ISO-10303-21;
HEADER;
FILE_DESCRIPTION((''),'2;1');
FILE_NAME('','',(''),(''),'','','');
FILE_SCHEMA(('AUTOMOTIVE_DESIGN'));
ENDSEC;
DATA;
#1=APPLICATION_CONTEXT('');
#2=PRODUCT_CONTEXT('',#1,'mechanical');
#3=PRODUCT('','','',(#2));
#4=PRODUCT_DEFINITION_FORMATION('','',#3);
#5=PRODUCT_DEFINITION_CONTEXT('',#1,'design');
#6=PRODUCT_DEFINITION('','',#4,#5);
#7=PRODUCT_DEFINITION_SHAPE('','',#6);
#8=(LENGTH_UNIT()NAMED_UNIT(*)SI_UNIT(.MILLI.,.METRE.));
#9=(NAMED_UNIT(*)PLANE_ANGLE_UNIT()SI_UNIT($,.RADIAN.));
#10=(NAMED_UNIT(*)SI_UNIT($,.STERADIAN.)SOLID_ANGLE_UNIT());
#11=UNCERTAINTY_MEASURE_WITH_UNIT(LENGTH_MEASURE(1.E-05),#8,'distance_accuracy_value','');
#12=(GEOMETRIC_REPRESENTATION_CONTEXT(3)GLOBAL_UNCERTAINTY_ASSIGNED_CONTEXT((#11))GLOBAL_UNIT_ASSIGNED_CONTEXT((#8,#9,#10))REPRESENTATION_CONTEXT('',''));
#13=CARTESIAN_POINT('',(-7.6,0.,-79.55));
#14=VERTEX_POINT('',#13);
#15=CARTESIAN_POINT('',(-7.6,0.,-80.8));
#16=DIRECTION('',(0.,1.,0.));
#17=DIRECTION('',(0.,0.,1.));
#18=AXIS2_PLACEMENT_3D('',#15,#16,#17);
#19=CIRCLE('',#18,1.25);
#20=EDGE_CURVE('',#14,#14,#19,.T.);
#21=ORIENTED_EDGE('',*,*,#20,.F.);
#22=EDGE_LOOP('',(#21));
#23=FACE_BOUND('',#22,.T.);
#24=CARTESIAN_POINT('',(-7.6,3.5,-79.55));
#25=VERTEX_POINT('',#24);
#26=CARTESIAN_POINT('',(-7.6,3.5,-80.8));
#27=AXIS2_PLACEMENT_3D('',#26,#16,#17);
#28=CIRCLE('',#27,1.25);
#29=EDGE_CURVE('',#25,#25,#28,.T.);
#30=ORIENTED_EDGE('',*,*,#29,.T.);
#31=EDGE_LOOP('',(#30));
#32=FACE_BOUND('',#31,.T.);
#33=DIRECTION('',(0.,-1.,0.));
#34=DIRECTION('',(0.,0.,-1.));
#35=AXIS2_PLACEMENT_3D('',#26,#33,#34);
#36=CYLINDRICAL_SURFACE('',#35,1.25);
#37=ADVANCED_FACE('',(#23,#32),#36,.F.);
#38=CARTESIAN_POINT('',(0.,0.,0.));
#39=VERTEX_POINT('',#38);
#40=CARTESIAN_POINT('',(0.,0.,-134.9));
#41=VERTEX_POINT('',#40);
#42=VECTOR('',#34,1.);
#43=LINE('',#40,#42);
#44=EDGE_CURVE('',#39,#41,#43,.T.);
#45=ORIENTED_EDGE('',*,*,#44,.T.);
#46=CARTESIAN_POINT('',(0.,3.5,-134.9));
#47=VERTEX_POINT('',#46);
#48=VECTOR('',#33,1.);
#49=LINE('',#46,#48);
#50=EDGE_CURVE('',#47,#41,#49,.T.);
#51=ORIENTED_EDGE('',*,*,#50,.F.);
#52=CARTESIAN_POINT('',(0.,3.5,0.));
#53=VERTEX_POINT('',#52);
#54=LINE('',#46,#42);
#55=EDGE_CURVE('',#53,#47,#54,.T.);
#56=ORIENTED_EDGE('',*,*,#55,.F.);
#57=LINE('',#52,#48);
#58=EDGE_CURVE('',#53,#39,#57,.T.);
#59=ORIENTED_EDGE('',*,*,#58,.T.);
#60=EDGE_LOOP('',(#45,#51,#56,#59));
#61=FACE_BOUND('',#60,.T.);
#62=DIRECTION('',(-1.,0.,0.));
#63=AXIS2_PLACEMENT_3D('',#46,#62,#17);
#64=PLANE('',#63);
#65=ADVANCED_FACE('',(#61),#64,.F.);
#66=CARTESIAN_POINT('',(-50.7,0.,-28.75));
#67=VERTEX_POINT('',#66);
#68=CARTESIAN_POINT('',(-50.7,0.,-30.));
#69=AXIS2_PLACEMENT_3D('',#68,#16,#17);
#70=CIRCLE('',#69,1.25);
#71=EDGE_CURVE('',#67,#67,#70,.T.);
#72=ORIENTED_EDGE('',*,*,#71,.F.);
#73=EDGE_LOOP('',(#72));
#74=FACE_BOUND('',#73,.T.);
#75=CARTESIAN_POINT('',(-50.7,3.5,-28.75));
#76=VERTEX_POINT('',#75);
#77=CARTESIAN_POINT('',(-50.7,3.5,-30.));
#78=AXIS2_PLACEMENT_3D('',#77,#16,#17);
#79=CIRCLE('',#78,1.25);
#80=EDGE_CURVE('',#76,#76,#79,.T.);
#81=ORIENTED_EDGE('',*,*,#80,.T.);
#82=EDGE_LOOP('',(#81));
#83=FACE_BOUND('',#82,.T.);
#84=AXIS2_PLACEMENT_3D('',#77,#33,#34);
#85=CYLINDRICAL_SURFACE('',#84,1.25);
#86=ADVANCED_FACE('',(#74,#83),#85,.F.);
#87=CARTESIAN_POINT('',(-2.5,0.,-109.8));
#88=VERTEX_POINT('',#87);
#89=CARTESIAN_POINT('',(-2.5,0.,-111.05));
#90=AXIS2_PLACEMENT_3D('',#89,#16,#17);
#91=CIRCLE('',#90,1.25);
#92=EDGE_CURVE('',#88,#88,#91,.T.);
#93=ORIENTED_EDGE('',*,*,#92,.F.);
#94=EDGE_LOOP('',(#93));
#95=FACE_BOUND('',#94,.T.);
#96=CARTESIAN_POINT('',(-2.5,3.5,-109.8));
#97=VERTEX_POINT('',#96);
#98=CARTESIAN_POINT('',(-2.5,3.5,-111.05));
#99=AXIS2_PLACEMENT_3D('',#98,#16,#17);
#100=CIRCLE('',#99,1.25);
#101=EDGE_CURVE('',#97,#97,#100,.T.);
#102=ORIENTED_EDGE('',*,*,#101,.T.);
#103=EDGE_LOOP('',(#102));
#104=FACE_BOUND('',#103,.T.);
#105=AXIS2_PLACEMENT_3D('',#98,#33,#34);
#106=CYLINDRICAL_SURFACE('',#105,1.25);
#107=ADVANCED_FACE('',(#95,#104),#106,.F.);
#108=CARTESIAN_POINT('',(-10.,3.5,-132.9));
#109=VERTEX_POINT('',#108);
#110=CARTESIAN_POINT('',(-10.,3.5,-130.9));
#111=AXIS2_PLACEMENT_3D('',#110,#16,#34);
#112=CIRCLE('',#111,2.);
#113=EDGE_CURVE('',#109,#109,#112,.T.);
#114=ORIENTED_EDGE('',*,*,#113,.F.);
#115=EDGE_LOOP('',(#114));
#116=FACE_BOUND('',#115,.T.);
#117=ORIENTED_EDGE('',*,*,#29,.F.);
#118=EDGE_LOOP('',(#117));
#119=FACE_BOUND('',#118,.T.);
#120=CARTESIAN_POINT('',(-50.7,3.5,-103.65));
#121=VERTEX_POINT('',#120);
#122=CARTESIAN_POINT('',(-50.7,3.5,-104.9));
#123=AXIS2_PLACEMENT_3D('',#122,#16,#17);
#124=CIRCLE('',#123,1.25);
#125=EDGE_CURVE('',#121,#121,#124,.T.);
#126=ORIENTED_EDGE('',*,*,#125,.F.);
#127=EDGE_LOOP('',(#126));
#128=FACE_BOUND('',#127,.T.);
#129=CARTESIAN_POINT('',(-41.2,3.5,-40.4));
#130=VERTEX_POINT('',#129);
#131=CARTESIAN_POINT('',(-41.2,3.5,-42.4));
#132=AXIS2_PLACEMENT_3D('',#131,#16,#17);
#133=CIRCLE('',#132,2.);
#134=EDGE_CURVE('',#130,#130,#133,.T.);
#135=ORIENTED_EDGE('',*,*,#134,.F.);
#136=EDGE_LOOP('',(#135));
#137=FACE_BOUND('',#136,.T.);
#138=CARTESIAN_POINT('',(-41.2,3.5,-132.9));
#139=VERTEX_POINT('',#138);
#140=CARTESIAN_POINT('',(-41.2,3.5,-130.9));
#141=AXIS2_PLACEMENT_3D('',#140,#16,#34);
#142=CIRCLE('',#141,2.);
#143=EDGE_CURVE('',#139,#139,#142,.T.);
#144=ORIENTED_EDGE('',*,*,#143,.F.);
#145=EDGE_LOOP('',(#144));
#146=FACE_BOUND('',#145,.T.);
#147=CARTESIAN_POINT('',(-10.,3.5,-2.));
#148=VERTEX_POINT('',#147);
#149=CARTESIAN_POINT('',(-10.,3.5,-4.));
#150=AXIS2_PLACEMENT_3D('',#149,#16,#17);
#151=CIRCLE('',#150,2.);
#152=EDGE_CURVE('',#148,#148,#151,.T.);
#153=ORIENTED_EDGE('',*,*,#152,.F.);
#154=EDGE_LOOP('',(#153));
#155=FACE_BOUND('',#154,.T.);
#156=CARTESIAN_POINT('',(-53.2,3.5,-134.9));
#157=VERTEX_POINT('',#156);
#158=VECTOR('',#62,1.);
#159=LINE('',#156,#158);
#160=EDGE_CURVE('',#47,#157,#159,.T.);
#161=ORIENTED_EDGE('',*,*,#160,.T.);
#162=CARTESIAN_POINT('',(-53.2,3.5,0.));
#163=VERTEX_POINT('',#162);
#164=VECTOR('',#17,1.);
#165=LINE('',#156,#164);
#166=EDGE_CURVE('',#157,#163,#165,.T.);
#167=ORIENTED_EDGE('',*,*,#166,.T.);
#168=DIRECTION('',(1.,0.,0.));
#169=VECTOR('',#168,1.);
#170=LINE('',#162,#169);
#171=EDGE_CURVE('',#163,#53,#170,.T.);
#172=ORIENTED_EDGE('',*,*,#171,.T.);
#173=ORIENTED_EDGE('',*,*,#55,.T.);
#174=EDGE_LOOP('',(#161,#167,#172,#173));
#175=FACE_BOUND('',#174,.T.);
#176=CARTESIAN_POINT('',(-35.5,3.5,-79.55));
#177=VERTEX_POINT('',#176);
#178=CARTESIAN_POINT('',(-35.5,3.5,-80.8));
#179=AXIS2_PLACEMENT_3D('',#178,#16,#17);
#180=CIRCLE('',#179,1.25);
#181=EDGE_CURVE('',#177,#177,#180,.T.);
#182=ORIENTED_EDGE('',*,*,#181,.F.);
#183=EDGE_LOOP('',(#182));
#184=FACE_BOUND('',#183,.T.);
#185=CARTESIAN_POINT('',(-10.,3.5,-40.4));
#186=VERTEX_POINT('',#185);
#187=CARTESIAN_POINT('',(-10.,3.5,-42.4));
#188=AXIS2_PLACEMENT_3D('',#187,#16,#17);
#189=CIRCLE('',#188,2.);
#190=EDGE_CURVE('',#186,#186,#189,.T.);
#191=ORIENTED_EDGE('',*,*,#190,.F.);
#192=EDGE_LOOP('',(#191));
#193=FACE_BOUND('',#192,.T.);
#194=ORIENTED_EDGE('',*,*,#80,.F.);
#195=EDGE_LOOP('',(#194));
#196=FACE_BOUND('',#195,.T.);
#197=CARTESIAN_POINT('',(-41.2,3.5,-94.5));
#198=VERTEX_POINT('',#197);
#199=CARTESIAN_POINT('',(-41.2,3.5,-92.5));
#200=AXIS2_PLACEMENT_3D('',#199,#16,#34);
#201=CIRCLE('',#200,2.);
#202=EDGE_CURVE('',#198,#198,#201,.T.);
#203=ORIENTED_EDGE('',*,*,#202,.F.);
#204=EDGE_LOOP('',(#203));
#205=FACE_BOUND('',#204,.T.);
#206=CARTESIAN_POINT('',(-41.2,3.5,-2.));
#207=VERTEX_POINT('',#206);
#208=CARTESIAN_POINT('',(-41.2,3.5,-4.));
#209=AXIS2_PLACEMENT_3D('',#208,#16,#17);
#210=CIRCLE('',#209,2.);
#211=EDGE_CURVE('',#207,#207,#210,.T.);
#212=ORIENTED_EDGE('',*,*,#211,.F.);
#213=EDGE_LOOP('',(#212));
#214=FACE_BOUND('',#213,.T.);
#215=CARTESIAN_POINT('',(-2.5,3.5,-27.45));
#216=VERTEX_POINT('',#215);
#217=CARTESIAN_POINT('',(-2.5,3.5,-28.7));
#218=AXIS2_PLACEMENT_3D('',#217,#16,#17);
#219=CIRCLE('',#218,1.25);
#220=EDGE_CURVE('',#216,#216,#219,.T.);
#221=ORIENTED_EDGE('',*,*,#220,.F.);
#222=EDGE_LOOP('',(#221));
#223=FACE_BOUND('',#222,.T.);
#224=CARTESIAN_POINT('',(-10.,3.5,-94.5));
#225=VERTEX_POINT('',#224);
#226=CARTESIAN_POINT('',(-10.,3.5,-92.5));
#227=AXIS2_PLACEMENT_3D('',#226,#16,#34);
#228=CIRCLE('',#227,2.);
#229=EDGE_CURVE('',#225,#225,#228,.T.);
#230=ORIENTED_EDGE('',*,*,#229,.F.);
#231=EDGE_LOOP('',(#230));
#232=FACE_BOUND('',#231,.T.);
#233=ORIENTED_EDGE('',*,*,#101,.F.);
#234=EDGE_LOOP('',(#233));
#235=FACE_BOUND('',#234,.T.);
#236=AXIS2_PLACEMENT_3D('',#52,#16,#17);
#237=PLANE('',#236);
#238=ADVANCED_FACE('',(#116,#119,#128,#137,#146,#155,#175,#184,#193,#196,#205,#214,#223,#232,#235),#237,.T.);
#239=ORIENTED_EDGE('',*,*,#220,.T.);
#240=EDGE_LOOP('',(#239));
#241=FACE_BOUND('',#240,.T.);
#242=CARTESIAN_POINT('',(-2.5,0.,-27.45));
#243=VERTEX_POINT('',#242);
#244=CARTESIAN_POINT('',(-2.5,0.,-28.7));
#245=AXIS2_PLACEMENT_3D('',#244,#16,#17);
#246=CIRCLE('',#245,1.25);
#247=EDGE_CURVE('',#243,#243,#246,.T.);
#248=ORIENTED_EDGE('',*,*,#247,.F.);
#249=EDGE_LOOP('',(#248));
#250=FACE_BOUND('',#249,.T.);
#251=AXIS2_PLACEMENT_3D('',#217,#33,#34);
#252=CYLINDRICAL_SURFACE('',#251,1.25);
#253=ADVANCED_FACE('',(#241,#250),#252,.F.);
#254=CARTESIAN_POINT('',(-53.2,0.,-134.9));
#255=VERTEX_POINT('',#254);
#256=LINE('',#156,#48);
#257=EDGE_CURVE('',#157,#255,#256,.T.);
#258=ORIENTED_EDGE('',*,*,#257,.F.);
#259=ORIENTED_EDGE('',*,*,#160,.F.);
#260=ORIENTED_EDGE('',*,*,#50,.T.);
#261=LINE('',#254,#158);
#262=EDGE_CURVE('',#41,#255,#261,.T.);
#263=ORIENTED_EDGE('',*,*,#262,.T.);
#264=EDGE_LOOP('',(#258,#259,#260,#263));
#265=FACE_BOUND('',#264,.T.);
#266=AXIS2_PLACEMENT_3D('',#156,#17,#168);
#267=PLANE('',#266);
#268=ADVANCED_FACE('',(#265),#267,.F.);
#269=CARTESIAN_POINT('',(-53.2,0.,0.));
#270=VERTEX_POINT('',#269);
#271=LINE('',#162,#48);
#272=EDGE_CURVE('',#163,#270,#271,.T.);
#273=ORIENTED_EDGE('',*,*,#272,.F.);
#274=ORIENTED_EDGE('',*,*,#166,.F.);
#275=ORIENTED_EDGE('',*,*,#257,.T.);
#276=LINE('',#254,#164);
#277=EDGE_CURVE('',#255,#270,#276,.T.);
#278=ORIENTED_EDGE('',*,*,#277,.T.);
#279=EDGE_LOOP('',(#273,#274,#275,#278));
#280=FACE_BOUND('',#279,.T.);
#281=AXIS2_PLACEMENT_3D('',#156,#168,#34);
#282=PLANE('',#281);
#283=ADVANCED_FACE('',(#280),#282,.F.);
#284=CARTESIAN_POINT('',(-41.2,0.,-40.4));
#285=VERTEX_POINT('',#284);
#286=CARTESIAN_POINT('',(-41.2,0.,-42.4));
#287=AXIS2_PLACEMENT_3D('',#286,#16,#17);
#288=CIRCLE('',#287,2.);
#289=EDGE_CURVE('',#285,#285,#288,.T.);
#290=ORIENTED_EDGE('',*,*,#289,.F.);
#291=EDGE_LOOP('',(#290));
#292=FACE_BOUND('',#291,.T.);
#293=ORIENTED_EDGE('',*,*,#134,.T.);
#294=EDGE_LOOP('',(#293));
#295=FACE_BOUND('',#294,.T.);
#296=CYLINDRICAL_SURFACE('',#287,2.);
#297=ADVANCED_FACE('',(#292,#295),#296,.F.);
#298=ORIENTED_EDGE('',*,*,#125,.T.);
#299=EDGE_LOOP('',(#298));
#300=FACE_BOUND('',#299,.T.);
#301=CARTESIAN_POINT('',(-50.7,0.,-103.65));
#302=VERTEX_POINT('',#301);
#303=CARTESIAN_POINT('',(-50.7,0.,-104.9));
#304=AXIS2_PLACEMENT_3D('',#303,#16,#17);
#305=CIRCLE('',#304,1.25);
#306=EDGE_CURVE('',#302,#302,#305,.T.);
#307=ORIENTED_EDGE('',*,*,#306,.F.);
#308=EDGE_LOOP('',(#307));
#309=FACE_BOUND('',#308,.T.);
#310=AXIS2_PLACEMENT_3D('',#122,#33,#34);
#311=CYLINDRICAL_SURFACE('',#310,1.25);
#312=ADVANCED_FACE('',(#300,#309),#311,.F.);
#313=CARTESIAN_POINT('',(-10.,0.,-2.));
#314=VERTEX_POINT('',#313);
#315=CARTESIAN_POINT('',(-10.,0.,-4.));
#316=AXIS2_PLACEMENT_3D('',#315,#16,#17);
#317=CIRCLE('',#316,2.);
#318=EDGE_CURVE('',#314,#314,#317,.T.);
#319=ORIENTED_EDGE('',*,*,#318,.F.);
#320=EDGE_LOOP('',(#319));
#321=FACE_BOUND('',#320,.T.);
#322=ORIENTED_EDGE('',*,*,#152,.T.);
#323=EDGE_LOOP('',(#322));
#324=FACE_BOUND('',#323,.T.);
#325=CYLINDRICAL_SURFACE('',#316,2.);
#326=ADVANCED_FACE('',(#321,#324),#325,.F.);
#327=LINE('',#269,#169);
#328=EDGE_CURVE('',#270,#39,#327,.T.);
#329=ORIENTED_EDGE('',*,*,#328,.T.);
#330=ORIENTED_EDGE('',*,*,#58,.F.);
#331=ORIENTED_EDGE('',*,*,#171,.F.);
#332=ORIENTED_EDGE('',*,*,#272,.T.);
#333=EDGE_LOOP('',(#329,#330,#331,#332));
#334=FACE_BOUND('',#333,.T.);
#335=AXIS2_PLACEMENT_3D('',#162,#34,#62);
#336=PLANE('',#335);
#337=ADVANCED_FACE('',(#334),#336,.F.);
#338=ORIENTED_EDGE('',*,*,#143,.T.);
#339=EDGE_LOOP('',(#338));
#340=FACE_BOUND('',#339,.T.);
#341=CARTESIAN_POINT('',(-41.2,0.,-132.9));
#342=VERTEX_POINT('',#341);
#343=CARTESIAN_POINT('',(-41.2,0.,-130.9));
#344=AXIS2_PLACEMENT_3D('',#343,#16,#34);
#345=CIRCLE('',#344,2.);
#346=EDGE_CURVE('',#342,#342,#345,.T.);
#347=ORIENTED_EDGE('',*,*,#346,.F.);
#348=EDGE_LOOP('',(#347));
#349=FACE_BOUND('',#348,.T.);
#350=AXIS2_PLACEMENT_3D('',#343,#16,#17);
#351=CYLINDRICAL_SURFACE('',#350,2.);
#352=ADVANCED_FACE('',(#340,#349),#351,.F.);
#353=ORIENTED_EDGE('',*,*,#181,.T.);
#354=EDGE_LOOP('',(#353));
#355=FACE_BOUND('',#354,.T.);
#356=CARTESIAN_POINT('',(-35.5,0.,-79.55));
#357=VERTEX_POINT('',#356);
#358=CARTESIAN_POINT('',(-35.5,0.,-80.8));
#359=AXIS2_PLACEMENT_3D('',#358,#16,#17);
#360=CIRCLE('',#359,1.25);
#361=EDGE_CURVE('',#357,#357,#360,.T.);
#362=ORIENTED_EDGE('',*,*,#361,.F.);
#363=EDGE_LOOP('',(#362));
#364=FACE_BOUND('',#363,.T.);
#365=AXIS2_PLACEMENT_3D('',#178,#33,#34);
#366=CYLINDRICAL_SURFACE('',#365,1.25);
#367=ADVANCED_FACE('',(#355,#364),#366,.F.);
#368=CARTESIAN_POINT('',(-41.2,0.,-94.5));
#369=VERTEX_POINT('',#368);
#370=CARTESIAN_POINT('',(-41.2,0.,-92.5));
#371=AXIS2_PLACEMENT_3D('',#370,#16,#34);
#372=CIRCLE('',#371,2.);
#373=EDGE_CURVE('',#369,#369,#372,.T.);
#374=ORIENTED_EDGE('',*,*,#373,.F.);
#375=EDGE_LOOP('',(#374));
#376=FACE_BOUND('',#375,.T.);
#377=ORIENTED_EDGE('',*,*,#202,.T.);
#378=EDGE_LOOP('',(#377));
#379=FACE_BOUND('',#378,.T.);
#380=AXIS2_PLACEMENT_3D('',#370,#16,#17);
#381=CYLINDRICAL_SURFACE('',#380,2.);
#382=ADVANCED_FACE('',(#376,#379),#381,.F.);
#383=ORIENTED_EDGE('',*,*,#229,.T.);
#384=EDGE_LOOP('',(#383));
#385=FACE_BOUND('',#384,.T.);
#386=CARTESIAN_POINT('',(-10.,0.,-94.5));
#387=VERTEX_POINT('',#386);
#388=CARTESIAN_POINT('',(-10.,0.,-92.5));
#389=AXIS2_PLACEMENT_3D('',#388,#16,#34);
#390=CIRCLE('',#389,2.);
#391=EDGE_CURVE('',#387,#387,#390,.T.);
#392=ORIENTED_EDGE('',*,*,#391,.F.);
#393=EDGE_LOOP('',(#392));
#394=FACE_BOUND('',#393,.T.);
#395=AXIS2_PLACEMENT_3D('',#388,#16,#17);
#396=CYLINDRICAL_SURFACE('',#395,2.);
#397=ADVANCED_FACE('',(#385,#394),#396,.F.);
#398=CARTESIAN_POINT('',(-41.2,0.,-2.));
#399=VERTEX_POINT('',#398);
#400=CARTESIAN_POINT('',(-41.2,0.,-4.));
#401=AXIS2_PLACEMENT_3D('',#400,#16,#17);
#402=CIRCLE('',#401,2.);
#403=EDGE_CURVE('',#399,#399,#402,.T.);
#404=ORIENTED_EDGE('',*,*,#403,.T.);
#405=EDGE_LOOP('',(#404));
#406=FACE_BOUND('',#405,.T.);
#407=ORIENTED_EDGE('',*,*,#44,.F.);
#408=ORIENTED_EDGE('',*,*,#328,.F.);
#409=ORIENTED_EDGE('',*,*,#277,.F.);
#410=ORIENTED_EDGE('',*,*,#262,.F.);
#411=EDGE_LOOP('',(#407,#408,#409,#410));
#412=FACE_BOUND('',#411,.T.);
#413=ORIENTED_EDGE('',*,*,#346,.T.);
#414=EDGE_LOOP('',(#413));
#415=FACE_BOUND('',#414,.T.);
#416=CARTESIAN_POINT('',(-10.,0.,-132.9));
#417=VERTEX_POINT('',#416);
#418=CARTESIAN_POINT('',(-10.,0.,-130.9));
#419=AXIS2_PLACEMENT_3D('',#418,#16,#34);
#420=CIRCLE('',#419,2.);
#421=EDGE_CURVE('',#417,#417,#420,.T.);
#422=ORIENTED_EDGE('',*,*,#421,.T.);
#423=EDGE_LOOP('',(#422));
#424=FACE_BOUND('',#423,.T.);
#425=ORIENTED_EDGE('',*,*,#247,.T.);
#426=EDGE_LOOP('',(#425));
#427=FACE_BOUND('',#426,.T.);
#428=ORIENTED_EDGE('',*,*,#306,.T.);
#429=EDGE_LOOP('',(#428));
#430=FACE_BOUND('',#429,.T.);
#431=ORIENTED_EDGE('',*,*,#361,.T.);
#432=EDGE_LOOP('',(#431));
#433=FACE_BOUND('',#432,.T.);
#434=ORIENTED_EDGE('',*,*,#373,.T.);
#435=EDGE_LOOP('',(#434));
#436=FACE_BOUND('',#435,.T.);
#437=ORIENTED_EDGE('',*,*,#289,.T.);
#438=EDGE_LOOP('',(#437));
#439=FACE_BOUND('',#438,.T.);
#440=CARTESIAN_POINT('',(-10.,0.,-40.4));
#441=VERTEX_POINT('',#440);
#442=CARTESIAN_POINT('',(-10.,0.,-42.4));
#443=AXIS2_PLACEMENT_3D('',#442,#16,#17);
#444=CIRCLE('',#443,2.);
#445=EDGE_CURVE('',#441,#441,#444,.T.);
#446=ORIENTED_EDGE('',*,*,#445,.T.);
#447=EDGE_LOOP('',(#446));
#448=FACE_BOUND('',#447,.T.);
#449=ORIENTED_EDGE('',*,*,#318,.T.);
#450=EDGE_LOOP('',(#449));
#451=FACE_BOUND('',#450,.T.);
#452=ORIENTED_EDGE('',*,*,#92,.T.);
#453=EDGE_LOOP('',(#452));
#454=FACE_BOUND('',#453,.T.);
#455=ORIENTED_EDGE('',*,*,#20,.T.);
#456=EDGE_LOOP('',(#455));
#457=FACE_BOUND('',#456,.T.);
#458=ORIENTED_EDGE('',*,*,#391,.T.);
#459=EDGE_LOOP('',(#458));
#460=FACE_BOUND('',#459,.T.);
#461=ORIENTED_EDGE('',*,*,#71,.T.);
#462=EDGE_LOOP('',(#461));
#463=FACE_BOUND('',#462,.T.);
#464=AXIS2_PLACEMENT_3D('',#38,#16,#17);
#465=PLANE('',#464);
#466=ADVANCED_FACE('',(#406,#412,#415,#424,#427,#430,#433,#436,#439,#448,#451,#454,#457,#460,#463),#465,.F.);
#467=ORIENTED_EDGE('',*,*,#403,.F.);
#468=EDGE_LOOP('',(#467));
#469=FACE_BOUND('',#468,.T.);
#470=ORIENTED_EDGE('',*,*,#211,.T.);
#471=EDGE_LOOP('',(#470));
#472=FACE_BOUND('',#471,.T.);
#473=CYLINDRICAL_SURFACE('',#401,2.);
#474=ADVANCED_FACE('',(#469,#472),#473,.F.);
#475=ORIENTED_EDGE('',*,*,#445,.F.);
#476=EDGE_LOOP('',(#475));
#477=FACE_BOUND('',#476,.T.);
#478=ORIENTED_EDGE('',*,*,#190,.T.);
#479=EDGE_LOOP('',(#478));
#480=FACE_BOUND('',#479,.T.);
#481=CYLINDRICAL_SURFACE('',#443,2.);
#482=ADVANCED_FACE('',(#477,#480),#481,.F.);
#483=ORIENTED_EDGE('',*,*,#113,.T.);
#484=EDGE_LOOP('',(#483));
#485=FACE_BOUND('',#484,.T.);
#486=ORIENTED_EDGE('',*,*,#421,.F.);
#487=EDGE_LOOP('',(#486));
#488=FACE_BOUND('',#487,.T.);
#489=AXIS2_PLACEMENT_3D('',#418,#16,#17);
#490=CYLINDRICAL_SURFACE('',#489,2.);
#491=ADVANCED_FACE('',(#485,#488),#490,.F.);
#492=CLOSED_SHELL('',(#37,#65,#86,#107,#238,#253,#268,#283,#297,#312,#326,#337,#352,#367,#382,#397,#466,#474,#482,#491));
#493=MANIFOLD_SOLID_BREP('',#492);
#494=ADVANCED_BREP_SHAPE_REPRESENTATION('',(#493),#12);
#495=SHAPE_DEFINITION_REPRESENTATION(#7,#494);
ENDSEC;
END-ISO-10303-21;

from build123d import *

# Parameters (mm, degrees)
SKETCH1_W                                = 53.2
SKETCH1_H                                = 134.9
SKETCH1_R                                = 1.25
BOSS_EXTRUDE1_DEPTH                      = 3.5
POLOLU_MOUNTING_BRACKET_R                = 2
POLOLU_37MM_MOUNTING_BRACKET_HOLES_DEPTH = 146.053438429


with BuildPart() as part:
    # Sketch1 → Boss-Extrude1 (new body)
    with BuildSketch(Plane(origin=(0, 0, 0), x_dir=(1, 0, 0), z_dir=(0, 1, 0))):
        with Locations((-26.6, 67.45)):
            Rectangle(SKETCH1_W, SKETCH1_H)
        with Locations(Location((-50.7, 104.9, 0), (0, 0, 270))):
            Circle(SKETCH1_R, mode=Mode.SUBTRACT)
        with Locations(Location((-2.5, 111.05, 0), (0, 0, 270))):
            Circle(SKETCH1_R, mode=Mode.SUBTRACT)
        with Locations(Location((-35.5, 80.8, 0), (0, 0, 270))):
            Circle(SKETCH1_R, mode=Mode.SUBTRACT)
        with Locations(Location((-7.6, 80.8, 0), (0, 0, 270))):
            Circle(SKETCH1_R, mode=Mode.SUBTRACT)
        with Locations(Location((-50.7, 30, 0), (0, 0, 270))):
            Circle(SKETCH1_R, mode=Mode.SUBTRACT)
        with Locations(Location((-2.5, 28.7, 0), (0, 0, 270))):
            Circle(SKETCH1_R, mode=Mode.SUBTRACT)
    extrude(amount=BOSS_EXTRUDE1_DEPTH)

    # Pololu Mounting Bracket → Pololu 37mm mounting bracket holes (cut, through all)
    with BuildSketch(Plane(origin=(0, 3.5, 0), x_dir=(1, 0, 0), z_dir=(0, 1, 0))):
        with Locations(Location((-41.2, 4, 0), (0, 0, 270))):
            Circle(POLOLU_MOUNTING_BRACKET_R)
        with Locations(Location((-10, 4, 0), (0, 0, 270))):
            Circle(POLOLU_MOUNTING_BRACKET_R)
        with Locations(Location((-41.2, 42.4, 0), (0, 0, 270))):
            Circle(POLOLU_MOUNTING_BRACKET_R)
        with Locations(Location((-10, 42.4, 0), (0, 0, 270))):
            Circle(POLOLU_MOUNTING_BRACKET_R)
        with Locations(Location((-41.2, 130.9, 0), (0, 0, 90))):
            Circle(POLOLU_MOUNTING_BRACKET_R)
        with Locations(Location((-10, 130.9, 0), (0, 0, 90))):
            Circle(POLOLU_MOUNTING_BRACKET_R)
        with Locations(Location((-10, 92.5, 0), (0, 0, 90))):
            Circle(POLOLU_MOUNTING_BRACKET_R)
        with Locations(Location((-41.2, 92.5, 0), (0, 0, 90))):
            Circle(POLOLU_MOUNTING_BRACKET_R)
    extrude(amount=-POLOLU_37MM_MOUNTING_BRACKET_HOLES_DEPTH, mode=Mode.SUBTRACT)


solid = part.part
